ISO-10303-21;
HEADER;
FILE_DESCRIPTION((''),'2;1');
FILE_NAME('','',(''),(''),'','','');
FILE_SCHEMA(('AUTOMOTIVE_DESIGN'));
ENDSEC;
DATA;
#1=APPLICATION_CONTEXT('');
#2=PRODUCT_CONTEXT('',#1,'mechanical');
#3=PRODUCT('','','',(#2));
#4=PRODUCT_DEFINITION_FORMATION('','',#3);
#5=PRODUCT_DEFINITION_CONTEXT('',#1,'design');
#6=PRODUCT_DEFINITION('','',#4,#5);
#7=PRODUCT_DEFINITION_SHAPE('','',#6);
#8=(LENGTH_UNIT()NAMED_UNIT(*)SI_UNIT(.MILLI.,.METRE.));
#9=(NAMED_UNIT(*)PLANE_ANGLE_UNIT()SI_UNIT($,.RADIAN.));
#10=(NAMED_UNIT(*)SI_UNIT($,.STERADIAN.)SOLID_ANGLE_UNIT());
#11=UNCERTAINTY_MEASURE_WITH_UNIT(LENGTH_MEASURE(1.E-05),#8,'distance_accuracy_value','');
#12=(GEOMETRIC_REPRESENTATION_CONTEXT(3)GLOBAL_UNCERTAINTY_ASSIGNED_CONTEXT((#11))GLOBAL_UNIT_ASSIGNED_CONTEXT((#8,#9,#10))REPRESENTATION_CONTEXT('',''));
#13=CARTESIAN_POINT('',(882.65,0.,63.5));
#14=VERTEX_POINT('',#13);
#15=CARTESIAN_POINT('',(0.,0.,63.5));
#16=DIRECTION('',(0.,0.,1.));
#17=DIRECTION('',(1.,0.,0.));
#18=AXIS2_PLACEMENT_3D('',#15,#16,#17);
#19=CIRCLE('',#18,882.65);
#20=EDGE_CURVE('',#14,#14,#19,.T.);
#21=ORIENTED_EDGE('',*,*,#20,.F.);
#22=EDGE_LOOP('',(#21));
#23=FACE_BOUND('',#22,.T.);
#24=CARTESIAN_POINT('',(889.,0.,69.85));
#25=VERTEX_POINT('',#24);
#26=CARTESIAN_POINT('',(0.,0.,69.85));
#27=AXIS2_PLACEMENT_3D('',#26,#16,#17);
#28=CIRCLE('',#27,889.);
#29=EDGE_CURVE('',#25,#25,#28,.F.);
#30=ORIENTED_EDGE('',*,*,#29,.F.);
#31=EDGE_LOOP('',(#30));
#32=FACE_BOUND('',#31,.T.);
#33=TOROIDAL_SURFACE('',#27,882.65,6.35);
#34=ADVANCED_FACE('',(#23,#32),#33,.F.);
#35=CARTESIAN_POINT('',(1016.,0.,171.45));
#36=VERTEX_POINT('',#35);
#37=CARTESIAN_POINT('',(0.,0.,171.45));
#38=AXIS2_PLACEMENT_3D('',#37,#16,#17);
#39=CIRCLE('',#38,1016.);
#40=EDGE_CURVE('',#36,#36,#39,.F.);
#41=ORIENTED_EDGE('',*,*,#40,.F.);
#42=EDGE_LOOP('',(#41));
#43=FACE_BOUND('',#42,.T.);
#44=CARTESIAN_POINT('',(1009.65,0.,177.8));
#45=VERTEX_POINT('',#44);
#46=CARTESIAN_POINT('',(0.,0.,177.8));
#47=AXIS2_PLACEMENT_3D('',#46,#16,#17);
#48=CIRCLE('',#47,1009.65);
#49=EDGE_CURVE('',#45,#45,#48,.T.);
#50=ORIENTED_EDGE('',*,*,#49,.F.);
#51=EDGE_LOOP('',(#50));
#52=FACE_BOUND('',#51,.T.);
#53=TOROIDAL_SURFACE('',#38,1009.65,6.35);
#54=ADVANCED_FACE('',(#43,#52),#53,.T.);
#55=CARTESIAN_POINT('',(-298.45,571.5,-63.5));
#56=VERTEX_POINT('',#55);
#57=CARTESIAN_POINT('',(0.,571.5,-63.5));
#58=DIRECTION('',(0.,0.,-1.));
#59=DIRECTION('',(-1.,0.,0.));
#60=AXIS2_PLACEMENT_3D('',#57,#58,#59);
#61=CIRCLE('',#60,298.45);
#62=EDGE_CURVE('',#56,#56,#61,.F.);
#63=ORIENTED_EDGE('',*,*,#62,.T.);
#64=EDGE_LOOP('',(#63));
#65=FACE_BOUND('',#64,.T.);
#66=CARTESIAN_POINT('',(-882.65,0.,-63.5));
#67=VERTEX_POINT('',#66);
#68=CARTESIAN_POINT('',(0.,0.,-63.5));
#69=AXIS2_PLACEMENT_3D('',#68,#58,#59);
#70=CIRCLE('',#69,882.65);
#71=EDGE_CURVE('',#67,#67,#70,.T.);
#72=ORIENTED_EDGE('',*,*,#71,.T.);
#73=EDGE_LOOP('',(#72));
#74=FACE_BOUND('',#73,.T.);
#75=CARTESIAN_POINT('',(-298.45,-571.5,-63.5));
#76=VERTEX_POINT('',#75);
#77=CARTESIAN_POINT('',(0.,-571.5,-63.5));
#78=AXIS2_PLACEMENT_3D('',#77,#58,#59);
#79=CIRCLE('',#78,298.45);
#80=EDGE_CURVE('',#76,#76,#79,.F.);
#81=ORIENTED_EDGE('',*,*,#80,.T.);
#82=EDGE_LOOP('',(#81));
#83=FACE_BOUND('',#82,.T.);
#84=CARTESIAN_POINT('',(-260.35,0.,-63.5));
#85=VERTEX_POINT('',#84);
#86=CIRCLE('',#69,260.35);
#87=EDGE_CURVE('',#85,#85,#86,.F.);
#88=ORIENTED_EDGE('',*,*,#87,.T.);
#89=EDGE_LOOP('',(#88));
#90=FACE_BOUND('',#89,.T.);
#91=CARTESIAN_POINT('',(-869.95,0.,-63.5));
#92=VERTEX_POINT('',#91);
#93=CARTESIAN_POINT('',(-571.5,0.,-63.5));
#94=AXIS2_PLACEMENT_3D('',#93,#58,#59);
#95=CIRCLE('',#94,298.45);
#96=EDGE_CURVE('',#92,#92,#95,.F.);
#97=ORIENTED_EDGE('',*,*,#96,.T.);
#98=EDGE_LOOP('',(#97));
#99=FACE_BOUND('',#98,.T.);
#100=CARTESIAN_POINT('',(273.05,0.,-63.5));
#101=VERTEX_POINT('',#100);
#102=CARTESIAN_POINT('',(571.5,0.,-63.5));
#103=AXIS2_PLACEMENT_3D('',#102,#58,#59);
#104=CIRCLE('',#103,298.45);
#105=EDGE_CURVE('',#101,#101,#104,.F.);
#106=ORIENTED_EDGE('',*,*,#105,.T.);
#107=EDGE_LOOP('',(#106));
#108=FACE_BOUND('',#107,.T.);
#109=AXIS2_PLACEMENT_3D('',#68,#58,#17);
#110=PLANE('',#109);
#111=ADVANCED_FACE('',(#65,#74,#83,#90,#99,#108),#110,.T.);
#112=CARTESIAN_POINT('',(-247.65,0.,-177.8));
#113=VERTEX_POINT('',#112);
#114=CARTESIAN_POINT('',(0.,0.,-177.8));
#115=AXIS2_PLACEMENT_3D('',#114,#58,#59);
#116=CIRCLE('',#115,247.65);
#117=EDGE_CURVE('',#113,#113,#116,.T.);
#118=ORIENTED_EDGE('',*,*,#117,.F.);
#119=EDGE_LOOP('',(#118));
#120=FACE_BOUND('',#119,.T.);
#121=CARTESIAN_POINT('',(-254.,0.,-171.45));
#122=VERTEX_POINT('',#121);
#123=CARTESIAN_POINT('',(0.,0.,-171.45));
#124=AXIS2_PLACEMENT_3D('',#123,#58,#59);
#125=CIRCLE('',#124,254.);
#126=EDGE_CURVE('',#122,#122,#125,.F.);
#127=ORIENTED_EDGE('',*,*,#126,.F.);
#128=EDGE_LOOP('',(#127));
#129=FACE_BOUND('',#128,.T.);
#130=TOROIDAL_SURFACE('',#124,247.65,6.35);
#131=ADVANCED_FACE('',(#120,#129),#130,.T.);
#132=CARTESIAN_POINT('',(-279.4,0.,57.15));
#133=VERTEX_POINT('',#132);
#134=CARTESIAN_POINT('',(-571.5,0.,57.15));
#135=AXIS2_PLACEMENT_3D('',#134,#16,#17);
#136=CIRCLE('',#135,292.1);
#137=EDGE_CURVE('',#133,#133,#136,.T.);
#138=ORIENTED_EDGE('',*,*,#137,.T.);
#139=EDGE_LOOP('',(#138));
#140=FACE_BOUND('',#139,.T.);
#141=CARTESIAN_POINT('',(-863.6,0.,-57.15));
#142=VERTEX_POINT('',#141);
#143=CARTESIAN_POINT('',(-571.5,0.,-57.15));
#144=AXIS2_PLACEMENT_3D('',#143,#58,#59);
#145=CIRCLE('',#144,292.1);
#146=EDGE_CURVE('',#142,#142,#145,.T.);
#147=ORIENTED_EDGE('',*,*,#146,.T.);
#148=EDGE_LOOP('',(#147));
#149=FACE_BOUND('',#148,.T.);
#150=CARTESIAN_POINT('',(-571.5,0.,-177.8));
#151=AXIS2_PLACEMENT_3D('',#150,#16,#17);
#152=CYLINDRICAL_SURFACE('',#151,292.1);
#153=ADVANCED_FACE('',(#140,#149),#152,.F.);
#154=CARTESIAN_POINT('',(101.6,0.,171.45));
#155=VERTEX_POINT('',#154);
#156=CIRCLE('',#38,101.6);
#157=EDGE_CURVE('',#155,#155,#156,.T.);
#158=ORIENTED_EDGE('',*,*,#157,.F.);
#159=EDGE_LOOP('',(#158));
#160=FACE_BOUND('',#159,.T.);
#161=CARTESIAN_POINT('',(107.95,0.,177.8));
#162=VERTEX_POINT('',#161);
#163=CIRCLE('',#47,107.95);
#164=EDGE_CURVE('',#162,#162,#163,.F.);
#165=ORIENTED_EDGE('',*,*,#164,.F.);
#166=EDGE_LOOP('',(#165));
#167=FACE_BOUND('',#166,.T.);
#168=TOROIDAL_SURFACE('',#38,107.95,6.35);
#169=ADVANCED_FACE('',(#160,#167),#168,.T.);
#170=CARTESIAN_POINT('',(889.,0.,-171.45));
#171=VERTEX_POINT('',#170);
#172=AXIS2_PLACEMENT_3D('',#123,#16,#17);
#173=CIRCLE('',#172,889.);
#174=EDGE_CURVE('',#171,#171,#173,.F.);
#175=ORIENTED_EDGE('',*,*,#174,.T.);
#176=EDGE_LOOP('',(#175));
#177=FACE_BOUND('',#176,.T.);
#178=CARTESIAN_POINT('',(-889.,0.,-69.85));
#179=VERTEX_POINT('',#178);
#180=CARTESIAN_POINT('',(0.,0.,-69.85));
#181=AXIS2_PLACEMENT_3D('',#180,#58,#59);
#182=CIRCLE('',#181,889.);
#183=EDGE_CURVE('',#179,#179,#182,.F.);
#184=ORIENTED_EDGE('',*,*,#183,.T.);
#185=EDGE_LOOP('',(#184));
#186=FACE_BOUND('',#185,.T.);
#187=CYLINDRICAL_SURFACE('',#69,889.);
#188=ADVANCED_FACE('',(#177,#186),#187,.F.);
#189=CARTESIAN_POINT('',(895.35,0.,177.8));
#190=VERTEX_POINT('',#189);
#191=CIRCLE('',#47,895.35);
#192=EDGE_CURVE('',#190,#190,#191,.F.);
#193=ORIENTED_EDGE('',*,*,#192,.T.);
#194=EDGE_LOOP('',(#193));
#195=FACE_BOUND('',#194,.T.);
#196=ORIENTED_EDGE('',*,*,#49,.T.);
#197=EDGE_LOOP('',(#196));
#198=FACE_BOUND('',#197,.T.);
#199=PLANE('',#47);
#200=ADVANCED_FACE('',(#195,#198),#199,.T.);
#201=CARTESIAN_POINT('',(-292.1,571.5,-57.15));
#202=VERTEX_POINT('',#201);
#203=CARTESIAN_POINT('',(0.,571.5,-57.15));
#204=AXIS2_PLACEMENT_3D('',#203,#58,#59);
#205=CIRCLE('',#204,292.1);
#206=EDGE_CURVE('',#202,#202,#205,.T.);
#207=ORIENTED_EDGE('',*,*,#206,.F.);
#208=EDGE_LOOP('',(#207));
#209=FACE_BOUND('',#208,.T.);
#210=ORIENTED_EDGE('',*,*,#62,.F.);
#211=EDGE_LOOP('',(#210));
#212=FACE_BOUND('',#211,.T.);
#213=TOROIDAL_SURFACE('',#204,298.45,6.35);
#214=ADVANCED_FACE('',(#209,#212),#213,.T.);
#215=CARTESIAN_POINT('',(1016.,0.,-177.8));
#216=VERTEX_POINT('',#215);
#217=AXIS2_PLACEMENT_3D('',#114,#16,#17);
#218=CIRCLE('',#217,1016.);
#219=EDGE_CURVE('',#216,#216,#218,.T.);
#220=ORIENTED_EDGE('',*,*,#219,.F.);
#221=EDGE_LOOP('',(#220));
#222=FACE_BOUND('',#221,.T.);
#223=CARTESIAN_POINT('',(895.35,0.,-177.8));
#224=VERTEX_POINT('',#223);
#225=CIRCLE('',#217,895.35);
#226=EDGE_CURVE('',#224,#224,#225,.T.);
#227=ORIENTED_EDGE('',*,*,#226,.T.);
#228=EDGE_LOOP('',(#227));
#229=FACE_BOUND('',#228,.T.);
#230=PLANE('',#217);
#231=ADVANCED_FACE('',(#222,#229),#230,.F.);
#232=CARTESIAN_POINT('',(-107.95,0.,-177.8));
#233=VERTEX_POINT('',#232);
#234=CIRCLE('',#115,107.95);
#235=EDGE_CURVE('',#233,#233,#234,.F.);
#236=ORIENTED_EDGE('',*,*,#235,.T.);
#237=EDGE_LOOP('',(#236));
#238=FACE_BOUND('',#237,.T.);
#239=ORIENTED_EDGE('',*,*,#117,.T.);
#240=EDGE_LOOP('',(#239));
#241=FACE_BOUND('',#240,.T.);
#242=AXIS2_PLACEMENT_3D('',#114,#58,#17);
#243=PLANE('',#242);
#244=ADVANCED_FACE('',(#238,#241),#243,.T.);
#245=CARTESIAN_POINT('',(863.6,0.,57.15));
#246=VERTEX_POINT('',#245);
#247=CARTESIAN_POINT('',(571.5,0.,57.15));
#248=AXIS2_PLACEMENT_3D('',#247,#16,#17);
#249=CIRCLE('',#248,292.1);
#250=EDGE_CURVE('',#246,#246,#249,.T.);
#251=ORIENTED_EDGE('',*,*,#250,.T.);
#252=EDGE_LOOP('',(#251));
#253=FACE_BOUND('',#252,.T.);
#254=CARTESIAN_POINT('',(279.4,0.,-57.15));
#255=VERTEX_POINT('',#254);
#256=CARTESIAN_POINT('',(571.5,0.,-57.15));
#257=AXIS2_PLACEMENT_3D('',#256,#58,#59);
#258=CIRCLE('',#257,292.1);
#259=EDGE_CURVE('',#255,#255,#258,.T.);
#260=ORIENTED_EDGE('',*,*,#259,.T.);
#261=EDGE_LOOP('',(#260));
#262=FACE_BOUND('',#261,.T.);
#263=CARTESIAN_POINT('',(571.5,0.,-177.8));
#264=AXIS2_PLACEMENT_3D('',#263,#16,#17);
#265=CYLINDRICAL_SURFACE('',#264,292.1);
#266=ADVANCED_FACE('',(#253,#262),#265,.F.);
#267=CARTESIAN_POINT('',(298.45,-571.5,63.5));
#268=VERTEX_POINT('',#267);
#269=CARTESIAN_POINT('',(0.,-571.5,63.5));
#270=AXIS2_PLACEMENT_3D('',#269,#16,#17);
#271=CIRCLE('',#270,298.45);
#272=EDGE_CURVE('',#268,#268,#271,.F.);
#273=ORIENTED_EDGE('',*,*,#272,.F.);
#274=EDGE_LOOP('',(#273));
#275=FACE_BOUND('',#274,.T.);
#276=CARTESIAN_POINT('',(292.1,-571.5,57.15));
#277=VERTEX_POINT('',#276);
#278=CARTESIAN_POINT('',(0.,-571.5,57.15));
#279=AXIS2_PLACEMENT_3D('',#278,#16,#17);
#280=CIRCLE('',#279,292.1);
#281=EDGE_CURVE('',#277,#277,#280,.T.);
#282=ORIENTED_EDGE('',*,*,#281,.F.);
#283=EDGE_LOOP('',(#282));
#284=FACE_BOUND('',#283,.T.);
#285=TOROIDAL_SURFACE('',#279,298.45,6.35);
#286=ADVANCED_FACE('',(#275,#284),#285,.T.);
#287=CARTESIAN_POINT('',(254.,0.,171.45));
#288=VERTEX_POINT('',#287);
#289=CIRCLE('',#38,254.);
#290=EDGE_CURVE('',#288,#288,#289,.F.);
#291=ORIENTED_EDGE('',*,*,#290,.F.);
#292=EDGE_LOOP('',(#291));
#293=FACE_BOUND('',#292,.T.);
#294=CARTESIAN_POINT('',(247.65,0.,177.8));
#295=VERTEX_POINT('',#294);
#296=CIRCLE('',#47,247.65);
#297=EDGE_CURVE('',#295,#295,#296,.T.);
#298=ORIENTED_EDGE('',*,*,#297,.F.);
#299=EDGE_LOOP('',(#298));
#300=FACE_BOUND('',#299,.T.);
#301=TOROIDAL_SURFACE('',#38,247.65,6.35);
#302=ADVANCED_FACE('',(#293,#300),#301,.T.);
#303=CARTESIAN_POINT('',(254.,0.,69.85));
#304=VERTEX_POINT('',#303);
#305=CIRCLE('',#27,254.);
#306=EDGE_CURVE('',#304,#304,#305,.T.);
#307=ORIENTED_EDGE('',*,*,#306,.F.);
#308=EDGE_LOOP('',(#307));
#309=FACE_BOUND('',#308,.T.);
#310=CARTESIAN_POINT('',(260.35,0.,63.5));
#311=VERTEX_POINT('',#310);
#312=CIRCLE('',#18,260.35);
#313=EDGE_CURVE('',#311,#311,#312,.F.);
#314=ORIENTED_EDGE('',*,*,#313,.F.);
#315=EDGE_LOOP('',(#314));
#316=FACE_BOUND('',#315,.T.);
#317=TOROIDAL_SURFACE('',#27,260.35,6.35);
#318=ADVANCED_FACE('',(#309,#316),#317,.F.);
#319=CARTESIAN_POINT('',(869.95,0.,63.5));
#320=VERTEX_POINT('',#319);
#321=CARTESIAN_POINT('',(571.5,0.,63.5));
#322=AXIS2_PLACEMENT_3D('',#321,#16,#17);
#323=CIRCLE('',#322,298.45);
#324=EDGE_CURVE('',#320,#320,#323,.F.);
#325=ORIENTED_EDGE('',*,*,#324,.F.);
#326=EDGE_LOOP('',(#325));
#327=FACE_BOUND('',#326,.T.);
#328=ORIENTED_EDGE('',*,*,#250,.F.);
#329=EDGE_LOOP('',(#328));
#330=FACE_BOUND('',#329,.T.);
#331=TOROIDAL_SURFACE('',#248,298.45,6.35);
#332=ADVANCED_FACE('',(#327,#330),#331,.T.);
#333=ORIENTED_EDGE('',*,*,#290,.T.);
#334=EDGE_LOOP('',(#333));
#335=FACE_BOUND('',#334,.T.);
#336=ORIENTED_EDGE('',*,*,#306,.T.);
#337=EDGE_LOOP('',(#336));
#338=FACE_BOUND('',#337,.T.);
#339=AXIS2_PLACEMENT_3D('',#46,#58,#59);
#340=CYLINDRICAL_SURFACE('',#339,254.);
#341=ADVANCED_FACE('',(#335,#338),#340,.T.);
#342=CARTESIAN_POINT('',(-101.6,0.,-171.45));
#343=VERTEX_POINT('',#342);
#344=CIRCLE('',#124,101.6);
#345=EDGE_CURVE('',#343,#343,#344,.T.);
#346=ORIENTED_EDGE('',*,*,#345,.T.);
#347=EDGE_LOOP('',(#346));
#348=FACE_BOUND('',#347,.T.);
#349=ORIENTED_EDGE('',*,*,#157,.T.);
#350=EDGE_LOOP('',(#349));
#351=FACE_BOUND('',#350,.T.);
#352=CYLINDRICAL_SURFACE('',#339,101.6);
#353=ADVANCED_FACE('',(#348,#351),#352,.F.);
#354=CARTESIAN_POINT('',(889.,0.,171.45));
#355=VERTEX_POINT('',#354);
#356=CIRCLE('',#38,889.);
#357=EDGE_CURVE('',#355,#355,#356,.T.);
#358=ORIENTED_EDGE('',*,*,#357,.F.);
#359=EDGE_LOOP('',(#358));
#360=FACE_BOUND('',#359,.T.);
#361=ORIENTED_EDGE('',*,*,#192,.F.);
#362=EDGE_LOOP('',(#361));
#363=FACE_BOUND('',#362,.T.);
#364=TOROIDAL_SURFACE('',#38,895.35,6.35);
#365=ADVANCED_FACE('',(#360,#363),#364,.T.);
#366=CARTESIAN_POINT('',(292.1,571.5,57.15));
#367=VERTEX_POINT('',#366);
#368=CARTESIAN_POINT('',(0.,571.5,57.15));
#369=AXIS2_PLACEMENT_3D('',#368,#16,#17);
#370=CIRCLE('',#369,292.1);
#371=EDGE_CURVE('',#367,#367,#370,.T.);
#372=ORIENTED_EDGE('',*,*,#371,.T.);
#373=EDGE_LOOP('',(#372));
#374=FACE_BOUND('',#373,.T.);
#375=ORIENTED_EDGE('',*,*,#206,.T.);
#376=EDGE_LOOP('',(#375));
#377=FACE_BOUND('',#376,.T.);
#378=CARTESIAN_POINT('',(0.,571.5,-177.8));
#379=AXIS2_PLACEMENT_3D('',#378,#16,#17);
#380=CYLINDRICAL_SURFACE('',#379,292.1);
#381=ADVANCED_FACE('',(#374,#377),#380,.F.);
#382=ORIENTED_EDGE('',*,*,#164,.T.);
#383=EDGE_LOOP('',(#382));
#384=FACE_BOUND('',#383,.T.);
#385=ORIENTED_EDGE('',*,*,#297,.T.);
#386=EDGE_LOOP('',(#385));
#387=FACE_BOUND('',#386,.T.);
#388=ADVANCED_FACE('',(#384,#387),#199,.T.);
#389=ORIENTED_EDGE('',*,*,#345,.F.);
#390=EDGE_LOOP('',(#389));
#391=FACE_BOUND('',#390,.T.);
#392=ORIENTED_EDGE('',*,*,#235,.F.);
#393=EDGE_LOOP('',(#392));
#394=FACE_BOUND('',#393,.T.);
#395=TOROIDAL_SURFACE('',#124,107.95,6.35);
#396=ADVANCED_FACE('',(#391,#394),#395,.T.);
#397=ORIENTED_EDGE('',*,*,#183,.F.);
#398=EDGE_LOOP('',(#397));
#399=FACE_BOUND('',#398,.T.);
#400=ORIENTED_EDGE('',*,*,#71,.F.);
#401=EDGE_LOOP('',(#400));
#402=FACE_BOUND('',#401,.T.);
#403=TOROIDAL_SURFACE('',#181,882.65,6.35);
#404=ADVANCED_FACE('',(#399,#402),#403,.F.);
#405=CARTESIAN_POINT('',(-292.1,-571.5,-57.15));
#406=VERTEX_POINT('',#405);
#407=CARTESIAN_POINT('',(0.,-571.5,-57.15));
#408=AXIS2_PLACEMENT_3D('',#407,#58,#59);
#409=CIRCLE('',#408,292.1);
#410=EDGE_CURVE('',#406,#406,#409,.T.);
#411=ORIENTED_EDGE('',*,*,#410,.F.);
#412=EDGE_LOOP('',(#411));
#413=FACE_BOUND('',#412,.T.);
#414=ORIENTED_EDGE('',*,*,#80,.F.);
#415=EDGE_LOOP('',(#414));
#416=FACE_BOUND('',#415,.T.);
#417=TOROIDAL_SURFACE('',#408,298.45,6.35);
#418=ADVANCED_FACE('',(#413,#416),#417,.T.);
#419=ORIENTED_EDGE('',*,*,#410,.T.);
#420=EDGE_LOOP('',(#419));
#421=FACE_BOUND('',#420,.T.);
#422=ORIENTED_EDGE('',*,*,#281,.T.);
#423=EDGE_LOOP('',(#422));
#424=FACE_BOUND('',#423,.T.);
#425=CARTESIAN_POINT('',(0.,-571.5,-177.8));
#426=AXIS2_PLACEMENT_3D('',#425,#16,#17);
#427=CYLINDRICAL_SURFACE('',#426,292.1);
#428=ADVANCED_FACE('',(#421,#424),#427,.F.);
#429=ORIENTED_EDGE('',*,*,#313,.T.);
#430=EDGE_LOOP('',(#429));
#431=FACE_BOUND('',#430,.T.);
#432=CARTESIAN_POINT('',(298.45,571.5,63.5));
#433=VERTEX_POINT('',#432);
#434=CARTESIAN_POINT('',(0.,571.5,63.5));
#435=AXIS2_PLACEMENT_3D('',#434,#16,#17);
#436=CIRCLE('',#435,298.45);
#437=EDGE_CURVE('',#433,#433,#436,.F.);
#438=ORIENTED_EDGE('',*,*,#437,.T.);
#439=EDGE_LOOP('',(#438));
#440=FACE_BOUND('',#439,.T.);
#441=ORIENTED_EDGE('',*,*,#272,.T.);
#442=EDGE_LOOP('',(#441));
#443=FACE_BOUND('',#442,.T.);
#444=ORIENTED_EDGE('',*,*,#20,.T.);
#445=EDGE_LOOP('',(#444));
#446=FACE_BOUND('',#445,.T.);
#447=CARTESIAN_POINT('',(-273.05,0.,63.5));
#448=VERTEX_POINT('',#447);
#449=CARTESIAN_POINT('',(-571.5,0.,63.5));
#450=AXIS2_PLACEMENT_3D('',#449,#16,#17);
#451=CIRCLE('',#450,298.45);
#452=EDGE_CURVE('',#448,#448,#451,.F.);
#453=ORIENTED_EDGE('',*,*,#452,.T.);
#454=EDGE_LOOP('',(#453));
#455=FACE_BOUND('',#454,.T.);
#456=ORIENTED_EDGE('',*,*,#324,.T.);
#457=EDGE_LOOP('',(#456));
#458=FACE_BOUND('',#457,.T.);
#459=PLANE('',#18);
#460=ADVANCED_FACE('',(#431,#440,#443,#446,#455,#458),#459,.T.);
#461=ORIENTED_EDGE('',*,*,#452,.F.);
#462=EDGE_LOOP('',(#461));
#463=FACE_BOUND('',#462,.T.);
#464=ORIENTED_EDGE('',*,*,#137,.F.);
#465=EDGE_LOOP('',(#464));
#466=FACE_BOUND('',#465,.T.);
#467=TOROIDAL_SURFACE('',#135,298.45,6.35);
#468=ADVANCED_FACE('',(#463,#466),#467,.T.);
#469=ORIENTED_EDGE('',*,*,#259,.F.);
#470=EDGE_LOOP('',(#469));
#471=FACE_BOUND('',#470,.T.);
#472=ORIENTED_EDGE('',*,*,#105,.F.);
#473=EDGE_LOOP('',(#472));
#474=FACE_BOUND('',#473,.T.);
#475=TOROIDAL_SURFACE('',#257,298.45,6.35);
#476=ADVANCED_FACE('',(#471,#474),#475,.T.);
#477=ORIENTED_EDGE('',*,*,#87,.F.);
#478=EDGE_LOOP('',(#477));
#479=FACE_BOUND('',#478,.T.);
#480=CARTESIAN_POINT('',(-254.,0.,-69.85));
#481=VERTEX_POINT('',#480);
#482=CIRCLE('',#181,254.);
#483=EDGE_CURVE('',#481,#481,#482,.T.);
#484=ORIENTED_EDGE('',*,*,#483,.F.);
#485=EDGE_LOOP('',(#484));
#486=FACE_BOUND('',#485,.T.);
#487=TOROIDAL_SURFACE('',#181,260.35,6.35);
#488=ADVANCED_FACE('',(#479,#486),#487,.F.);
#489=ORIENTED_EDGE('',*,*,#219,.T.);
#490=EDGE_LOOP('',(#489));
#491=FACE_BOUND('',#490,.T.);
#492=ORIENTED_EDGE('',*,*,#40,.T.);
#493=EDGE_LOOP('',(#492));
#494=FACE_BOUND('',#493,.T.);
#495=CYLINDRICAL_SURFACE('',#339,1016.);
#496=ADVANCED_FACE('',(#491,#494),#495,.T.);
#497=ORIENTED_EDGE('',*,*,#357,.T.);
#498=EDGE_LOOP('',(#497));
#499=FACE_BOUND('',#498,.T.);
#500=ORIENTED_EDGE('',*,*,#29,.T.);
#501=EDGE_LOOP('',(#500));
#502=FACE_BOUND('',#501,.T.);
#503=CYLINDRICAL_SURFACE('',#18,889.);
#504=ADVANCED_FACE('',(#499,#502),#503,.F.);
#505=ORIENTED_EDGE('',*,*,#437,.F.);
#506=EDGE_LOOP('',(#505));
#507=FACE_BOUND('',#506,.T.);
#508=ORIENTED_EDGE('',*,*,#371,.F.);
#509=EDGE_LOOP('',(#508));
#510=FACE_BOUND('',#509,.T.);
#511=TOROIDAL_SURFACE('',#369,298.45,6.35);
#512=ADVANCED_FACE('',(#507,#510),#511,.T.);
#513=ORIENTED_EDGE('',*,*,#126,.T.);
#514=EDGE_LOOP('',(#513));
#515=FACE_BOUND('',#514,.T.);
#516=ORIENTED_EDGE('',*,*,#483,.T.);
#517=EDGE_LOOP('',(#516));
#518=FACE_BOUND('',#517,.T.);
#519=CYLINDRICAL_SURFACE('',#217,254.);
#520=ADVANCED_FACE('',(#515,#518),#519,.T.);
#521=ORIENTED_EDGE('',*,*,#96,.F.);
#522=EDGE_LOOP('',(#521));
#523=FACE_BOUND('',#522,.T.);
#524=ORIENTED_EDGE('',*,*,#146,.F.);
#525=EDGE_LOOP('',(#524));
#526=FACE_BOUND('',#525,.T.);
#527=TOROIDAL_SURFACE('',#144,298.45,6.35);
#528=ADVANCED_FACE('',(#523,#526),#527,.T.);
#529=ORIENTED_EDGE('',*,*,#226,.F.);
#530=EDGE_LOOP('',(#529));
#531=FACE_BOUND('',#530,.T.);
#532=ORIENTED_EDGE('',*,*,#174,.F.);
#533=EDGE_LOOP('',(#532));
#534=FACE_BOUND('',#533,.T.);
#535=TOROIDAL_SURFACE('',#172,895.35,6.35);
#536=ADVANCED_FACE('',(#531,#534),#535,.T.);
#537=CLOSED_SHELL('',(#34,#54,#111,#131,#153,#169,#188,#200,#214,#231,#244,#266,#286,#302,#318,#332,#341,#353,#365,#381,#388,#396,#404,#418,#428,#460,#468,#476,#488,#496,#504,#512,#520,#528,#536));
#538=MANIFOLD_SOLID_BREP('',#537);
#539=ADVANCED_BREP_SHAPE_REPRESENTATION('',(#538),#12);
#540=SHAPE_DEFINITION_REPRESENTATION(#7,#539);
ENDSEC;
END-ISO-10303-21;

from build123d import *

# Parameters (mm, degrees)
SKETCH1_R               = 1016
SKETCH1_R_2             = 101.6
BOSS_EXTRUDE1_DEPTH     = 177.8
CUT_EXTRUDE1_START      = -114.3
SKETCH2_R               = 889
SKETCH2_R_2             = 101.6
CUT_EXTRUDE1_DEPTH      = 114.3
SKETCH3_R               = 254
SKETCH3_R_2             = 101.6
BOSS_EXTRUDE2_DEPTH     = 114.3
CUT_EXTRUDE2_DEPTH      = 1457.961801146
CUT_EXTRUDE2_DEPTH_BACK = 1457.961801146
SKETCH4_R               = 292.1
FILLET1_R               = 6.35


with BuildPart() as part:
    # Sketch1 → Boss-Extrude1 (new, symmetric)
    with BuildSketch(Plane.XY):
        Circle(SKETCH1_R)
        Circle(SKETCH1_R_2, mode=Mode.SUBTRACT)
    extrude(amount=BOSS_EXTRUDE1_DEPTH, both=True)

    # Sketch2 → Cut-Extrude1 (cut)
    with BuildSketch(Plane.XY.offset(177.8).offset(CUT_EXTRUDE1_START)):
        Circle(SKETCH2_R)
        Circle(SKETCH2_R_2, mode=Mode.SUBTRACT)
    cut_extrude1 = extrude(amount=CUT_EXTRUDE1_DEPTH, mode=Mode.SUBTRACT)

    # Sketch3 → Boss-Extrude2 (add)
    with BuildSketch(Plane.XY.offset(63.5)):
        Circle(SKETCH3_R)
        Circle(SKETCH3_R_2, mode=Mode.SUBTRACT)
    boss_extrude2 = extrude(amount=BOSS_EXTRUDE2_DEPTH)

    # Sketch4 → Cut-Extrude2 (cut, two sides: drawn at the far end of the back side and taken through both)
    with BuildSketch(Plane.XY.offset(63.5).offset(-CUT_EXTRUDE2_DEPTH_BACK)):
        with Locations((0, 571.5)):
            Circle(SKETCH4_R)
        with Locations((571.5, 0)):
            Circle(SKETCH4_R)
        with Locations((0, -571.5)):
            Circle(SKETCH4_R)
        with Locations((-571.5, 0)):
            Circle(SKETCH4_R)
    extrude(amount=CUT_EXTRUDE2_DEPTH + CUT_EXTRUDE2_DEPTH_BACK, mode=Mode.SUBTRACT)

    # Mirror1: Cut-Extrude1 across plane
    add(cut_extrude1.mirror(Plane.XY), mode=Mode.SUBTRACT)

    # Mirror2: Boss-Extrude2 across plane
    add(boss_extrude2.mirror(Plane.XY))

    # Fillet1
    fillet1_edges = [part.edges().sort_by_distance(p)[0] for p in [
        (-889, 0, 63.5),
        (-889, 0, 177.8),
        (-254, 0, 177.8),
        (-254, 0, 63.5),
        (-101.6, 0, 177.8),
        (-292.1, -571.5, 63.5),
        (279.4, 0, 63.5),
        (-863.6, 0, 63.5),
        (-292.1, 571.5, 63.5),
        (-889, 0, -63.5),
        (-292.1, 571.5, -63.5),
        (-863.6, 0, -63.5),
        (279.4, 0, -63.5),
        (-292.1, -571.5, -63.5),
        (-889, 0, -177.8),
        (-1016, 0, 177.8),
        (-254, 0, -63.5),
        (-254, 0, -177.8),
        (-101.6, 0, -177.8),
    ]]
    fillet(fillet1_edges, radius=FILLET1_R)


solid = part.part
